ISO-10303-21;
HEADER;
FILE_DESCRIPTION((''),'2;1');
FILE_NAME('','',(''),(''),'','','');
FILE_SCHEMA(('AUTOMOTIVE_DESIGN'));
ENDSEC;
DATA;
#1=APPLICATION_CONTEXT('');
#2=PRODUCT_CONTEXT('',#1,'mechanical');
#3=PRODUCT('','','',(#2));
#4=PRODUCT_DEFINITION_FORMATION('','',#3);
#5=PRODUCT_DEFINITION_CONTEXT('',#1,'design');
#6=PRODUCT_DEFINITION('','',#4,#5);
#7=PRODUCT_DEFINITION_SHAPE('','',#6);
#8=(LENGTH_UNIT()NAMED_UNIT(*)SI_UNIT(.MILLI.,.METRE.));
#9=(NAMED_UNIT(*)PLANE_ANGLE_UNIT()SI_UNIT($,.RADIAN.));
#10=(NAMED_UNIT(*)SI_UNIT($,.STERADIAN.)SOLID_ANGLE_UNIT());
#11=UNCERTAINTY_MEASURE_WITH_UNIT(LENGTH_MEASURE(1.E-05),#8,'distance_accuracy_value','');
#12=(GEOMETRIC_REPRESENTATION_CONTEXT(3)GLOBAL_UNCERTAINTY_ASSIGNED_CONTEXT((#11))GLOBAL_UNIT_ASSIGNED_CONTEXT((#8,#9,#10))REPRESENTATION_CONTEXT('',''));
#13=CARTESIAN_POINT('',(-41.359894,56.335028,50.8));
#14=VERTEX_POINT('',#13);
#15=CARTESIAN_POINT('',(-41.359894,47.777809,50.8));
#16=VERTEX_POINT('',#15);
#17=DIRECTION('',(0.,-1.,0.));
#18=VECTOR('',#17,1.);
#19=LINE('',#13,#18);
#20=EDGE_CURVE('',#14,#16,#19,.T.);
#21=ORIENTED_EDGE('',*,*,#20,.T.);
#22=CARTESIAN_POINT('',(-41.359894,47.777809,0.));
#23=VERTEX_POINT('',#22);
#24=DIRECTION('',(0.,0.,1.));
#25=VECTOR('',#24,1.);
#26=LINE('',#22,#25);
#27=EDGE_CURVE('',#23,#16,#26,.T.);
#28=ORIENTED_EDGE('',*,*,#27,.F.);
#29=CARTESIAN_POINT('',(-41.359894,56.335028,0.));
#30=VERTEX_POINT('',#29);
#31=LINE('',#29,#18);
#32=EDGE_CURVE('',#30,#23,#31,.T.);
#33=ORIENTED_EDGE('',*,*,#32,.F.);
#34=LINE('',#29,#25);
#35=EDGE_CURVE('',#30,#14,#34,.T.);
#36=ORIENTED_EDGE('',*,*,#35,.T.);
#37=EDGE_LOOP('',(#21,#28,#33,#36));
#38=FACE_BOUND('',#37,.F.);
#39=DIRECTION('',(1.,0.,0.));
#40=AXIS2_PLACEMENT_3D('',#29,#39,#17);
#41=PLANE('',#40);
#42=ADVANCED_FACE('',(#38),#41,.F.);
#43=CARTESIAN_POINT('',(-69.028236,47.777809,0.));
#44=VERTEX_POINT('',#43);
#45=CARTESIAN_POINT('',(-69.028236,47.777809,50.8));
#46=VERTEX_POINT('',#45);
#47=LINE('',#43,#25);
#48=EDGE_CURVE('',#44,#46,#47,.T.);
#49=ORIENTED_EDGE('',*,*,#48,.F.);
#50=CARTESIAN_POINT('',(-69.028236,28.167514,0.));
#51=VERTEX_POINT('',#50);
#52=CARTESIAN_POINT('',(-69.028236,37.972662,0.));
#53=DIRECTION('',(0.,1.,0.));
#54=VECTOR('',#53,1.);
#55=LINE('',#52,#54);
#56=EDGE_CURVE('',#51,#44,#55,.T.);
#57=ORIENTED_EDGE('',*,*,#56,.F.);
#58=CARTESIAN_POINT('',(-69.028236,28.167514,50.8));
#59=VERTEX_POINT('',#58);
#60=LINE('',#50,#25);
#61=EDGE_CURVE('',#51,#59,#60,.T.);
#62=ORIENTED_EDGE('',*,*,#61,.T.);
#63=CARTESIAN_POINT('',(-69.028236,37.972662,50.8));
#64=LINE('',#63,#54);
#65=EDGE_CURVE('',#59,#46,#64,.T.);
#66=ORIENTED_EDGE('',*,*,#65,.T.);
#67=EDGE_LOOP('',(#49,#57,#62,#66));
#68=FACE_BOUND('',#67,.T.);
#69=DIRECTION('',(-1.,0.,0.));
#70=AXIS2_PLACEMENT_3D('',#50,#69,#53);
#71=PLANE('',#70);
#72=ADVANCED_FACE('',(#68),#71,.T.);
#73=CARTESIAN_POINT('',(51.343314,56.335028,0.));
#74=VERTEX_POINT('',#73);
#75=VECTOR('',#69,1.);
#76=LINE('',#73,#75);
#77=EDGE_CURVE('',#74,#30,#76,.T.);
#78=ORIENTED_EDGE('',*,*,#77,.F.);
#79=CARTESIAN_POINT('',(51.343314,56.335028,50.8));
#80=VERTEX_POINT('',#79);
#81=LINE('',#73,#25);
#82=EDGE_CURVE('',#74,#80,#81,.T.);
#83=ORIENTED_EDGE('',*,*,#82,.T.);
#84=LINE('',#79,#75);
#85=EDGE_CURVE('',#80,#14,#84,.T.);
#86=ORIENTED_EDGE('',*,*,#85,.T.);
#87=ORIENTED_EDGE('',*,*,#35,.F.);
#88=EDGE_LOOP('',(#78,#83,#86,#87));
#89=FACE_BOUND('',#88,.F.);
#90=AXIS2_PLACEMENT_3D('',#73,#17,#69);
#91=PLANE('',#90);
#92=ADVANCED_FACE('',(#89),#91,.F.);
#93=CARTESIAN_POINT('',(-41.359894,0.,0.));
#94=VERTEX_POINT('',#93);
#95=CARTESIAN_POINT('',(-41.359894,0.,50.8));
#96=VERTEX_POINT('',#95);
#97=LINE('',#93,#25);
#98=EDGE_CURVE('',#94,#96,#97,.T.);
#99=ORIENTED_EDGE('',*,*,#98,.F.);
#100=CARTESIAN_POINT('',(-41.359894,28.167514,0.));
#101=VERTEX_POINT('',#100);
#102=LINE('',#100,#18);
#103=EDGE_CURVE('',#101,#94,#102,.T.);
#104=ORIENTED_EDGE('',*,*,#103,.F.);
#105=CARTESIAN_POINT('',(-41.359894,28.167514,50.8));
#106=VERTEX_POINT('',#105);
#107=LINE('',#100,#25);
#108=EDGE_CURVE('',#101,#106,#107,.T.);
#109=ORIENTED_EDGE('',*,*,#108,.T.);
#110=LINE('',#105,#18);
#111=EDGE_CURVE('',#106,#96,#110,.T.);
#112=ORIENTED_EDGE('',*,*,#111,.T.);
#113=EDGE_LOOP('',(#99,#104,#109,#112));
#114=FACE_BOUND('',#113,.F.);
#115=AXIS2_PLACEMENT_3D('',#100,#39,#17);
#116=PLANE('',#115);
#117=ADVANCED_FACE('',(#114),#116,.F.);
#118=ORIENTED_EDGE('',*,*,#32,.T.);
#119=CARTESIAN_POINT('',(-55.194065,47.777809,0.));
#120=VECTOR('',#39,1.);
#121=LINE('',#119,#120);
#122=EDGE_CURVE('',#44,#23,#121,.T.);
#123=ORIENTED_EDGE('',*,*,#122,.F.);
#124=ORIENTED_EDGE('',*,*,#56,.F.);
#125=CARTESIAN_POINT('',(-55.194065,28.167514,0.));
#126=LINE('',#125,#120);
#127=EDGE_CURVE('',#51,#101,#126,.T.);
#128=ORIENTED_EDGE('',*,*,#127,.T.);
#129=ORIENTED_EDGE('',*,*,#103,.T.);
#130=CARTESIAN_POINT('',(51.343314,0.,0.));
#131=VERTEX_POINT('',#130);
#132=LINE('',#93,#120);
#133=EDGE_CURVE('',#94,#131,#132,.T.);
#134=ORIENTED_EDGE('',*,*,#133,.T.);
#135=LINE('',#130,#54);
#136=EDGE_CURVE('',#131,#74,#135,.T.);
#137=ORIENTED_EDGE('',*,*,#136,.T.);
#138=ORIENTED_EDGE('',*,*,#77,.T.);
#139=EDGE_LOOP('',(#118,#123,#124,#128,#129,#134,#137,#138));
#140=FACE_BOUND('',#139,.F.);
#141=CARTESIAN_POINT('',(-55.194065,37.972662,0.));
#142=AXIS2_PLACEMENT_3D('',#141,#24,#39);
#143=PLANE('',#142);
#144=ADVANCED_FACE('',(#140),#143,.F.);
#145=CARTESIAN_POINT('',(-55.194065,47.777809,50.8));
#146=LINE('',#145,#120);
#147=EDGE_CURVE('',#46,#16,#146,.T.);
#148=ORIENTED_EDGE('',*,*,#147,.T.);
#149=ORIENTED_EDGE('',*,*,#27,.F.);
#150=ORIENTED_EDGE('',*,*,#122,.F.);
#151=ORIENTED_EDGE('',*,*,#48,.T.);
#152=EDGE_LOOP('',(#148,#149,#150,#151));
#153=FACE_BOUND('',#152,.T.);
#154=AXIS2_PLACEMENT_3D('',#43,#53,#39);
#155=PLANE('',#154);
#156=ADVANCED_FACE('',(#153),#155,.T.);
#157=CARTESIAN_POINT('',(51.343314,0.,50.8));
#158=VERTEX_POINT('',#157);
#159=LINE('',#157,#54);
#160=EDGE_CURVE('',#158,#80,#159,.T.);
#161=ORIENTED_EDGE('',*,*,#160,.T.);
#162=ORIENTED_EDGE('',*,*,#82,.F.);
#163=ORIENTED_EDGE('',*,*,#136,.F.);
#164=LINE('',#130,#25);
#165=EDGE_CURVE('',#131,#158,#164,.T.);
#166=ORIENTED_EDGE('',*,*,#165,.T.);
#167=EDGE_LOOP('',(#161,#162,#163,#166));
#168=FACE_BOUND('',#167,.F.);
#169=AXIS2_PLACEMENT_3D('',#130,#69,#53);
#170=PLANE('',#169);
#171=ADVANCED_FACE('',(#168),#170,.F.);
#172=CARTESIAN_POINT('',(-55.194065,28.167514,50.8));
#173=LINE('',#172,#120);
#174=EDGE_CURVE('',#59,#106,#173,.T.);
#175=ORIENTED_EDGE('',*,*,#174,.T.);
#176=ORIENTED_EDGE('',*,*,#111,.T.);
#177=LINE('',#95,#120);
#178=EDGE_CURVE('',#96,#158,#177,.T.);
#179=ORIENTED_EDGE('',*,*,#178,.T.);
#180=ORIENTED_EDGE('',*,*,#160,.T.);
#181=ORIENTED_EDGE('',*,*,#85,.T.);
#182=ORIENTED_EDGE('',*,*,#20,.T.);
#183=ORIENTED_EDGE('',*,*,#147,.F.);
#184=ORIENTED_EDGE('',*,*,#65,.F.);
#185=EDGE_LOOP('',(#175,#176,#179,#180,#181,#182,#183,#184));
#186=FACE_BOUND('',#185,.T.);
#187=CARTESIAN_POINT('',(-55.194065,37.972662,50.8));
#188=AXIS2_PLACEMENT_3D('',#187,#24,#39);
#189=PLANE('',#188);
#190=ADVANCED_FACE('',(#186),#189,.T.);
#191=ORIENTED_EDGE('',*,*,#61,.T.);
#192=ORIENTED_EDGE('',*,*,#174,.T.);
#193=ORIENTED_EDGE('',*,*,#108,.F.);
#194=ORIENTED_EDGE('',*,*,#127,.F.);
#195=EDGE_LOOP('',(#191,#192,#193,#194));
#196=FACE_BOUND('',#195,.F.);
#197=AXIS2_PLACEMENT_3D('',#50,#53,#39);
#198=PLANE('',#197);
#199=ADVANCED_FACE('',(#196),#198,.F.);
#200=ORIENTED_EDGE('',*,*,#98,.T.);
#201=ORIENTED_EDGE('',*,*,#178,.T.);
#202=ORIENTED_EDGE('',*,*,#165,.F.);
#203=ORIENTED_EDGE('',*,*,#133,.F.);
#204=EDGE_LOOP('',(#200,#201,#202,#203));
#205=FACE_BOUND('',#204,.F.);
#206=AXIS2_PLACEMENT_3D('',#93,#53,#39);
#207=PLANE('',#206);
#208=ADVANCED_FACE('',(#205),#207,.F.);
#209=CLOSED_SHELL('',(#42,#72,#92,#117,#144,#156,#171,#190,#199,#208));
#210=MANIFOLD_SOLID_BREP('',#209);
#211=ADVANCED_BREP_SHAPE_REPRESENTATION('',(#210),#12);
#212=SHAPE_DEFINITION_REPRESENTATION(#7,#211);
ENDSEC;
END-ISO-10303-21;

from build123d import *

# Parameters (mm, degrees)
F0_W     = 27.668342
F0_H     = 19.610295
F1_DEPTH = 50.8


with BuildPart() as f1:
    # F0 (on Top) → F1 (new body)
    with BuildSketch(Plane.XY):
        with Locations((-55.194065, 37.972662)):
            Rectangle(F0_W, F0_H)
        Polygon((-41.359894, 28.167514), (-41.359894, 0), (51.343314, 0), (51.343314, 56.335028), (-41.359894, 56.335028), (-41.359894, 47.777809), align=None)
    extrude(amount=F1_DEPTH)


solid = f1.part
